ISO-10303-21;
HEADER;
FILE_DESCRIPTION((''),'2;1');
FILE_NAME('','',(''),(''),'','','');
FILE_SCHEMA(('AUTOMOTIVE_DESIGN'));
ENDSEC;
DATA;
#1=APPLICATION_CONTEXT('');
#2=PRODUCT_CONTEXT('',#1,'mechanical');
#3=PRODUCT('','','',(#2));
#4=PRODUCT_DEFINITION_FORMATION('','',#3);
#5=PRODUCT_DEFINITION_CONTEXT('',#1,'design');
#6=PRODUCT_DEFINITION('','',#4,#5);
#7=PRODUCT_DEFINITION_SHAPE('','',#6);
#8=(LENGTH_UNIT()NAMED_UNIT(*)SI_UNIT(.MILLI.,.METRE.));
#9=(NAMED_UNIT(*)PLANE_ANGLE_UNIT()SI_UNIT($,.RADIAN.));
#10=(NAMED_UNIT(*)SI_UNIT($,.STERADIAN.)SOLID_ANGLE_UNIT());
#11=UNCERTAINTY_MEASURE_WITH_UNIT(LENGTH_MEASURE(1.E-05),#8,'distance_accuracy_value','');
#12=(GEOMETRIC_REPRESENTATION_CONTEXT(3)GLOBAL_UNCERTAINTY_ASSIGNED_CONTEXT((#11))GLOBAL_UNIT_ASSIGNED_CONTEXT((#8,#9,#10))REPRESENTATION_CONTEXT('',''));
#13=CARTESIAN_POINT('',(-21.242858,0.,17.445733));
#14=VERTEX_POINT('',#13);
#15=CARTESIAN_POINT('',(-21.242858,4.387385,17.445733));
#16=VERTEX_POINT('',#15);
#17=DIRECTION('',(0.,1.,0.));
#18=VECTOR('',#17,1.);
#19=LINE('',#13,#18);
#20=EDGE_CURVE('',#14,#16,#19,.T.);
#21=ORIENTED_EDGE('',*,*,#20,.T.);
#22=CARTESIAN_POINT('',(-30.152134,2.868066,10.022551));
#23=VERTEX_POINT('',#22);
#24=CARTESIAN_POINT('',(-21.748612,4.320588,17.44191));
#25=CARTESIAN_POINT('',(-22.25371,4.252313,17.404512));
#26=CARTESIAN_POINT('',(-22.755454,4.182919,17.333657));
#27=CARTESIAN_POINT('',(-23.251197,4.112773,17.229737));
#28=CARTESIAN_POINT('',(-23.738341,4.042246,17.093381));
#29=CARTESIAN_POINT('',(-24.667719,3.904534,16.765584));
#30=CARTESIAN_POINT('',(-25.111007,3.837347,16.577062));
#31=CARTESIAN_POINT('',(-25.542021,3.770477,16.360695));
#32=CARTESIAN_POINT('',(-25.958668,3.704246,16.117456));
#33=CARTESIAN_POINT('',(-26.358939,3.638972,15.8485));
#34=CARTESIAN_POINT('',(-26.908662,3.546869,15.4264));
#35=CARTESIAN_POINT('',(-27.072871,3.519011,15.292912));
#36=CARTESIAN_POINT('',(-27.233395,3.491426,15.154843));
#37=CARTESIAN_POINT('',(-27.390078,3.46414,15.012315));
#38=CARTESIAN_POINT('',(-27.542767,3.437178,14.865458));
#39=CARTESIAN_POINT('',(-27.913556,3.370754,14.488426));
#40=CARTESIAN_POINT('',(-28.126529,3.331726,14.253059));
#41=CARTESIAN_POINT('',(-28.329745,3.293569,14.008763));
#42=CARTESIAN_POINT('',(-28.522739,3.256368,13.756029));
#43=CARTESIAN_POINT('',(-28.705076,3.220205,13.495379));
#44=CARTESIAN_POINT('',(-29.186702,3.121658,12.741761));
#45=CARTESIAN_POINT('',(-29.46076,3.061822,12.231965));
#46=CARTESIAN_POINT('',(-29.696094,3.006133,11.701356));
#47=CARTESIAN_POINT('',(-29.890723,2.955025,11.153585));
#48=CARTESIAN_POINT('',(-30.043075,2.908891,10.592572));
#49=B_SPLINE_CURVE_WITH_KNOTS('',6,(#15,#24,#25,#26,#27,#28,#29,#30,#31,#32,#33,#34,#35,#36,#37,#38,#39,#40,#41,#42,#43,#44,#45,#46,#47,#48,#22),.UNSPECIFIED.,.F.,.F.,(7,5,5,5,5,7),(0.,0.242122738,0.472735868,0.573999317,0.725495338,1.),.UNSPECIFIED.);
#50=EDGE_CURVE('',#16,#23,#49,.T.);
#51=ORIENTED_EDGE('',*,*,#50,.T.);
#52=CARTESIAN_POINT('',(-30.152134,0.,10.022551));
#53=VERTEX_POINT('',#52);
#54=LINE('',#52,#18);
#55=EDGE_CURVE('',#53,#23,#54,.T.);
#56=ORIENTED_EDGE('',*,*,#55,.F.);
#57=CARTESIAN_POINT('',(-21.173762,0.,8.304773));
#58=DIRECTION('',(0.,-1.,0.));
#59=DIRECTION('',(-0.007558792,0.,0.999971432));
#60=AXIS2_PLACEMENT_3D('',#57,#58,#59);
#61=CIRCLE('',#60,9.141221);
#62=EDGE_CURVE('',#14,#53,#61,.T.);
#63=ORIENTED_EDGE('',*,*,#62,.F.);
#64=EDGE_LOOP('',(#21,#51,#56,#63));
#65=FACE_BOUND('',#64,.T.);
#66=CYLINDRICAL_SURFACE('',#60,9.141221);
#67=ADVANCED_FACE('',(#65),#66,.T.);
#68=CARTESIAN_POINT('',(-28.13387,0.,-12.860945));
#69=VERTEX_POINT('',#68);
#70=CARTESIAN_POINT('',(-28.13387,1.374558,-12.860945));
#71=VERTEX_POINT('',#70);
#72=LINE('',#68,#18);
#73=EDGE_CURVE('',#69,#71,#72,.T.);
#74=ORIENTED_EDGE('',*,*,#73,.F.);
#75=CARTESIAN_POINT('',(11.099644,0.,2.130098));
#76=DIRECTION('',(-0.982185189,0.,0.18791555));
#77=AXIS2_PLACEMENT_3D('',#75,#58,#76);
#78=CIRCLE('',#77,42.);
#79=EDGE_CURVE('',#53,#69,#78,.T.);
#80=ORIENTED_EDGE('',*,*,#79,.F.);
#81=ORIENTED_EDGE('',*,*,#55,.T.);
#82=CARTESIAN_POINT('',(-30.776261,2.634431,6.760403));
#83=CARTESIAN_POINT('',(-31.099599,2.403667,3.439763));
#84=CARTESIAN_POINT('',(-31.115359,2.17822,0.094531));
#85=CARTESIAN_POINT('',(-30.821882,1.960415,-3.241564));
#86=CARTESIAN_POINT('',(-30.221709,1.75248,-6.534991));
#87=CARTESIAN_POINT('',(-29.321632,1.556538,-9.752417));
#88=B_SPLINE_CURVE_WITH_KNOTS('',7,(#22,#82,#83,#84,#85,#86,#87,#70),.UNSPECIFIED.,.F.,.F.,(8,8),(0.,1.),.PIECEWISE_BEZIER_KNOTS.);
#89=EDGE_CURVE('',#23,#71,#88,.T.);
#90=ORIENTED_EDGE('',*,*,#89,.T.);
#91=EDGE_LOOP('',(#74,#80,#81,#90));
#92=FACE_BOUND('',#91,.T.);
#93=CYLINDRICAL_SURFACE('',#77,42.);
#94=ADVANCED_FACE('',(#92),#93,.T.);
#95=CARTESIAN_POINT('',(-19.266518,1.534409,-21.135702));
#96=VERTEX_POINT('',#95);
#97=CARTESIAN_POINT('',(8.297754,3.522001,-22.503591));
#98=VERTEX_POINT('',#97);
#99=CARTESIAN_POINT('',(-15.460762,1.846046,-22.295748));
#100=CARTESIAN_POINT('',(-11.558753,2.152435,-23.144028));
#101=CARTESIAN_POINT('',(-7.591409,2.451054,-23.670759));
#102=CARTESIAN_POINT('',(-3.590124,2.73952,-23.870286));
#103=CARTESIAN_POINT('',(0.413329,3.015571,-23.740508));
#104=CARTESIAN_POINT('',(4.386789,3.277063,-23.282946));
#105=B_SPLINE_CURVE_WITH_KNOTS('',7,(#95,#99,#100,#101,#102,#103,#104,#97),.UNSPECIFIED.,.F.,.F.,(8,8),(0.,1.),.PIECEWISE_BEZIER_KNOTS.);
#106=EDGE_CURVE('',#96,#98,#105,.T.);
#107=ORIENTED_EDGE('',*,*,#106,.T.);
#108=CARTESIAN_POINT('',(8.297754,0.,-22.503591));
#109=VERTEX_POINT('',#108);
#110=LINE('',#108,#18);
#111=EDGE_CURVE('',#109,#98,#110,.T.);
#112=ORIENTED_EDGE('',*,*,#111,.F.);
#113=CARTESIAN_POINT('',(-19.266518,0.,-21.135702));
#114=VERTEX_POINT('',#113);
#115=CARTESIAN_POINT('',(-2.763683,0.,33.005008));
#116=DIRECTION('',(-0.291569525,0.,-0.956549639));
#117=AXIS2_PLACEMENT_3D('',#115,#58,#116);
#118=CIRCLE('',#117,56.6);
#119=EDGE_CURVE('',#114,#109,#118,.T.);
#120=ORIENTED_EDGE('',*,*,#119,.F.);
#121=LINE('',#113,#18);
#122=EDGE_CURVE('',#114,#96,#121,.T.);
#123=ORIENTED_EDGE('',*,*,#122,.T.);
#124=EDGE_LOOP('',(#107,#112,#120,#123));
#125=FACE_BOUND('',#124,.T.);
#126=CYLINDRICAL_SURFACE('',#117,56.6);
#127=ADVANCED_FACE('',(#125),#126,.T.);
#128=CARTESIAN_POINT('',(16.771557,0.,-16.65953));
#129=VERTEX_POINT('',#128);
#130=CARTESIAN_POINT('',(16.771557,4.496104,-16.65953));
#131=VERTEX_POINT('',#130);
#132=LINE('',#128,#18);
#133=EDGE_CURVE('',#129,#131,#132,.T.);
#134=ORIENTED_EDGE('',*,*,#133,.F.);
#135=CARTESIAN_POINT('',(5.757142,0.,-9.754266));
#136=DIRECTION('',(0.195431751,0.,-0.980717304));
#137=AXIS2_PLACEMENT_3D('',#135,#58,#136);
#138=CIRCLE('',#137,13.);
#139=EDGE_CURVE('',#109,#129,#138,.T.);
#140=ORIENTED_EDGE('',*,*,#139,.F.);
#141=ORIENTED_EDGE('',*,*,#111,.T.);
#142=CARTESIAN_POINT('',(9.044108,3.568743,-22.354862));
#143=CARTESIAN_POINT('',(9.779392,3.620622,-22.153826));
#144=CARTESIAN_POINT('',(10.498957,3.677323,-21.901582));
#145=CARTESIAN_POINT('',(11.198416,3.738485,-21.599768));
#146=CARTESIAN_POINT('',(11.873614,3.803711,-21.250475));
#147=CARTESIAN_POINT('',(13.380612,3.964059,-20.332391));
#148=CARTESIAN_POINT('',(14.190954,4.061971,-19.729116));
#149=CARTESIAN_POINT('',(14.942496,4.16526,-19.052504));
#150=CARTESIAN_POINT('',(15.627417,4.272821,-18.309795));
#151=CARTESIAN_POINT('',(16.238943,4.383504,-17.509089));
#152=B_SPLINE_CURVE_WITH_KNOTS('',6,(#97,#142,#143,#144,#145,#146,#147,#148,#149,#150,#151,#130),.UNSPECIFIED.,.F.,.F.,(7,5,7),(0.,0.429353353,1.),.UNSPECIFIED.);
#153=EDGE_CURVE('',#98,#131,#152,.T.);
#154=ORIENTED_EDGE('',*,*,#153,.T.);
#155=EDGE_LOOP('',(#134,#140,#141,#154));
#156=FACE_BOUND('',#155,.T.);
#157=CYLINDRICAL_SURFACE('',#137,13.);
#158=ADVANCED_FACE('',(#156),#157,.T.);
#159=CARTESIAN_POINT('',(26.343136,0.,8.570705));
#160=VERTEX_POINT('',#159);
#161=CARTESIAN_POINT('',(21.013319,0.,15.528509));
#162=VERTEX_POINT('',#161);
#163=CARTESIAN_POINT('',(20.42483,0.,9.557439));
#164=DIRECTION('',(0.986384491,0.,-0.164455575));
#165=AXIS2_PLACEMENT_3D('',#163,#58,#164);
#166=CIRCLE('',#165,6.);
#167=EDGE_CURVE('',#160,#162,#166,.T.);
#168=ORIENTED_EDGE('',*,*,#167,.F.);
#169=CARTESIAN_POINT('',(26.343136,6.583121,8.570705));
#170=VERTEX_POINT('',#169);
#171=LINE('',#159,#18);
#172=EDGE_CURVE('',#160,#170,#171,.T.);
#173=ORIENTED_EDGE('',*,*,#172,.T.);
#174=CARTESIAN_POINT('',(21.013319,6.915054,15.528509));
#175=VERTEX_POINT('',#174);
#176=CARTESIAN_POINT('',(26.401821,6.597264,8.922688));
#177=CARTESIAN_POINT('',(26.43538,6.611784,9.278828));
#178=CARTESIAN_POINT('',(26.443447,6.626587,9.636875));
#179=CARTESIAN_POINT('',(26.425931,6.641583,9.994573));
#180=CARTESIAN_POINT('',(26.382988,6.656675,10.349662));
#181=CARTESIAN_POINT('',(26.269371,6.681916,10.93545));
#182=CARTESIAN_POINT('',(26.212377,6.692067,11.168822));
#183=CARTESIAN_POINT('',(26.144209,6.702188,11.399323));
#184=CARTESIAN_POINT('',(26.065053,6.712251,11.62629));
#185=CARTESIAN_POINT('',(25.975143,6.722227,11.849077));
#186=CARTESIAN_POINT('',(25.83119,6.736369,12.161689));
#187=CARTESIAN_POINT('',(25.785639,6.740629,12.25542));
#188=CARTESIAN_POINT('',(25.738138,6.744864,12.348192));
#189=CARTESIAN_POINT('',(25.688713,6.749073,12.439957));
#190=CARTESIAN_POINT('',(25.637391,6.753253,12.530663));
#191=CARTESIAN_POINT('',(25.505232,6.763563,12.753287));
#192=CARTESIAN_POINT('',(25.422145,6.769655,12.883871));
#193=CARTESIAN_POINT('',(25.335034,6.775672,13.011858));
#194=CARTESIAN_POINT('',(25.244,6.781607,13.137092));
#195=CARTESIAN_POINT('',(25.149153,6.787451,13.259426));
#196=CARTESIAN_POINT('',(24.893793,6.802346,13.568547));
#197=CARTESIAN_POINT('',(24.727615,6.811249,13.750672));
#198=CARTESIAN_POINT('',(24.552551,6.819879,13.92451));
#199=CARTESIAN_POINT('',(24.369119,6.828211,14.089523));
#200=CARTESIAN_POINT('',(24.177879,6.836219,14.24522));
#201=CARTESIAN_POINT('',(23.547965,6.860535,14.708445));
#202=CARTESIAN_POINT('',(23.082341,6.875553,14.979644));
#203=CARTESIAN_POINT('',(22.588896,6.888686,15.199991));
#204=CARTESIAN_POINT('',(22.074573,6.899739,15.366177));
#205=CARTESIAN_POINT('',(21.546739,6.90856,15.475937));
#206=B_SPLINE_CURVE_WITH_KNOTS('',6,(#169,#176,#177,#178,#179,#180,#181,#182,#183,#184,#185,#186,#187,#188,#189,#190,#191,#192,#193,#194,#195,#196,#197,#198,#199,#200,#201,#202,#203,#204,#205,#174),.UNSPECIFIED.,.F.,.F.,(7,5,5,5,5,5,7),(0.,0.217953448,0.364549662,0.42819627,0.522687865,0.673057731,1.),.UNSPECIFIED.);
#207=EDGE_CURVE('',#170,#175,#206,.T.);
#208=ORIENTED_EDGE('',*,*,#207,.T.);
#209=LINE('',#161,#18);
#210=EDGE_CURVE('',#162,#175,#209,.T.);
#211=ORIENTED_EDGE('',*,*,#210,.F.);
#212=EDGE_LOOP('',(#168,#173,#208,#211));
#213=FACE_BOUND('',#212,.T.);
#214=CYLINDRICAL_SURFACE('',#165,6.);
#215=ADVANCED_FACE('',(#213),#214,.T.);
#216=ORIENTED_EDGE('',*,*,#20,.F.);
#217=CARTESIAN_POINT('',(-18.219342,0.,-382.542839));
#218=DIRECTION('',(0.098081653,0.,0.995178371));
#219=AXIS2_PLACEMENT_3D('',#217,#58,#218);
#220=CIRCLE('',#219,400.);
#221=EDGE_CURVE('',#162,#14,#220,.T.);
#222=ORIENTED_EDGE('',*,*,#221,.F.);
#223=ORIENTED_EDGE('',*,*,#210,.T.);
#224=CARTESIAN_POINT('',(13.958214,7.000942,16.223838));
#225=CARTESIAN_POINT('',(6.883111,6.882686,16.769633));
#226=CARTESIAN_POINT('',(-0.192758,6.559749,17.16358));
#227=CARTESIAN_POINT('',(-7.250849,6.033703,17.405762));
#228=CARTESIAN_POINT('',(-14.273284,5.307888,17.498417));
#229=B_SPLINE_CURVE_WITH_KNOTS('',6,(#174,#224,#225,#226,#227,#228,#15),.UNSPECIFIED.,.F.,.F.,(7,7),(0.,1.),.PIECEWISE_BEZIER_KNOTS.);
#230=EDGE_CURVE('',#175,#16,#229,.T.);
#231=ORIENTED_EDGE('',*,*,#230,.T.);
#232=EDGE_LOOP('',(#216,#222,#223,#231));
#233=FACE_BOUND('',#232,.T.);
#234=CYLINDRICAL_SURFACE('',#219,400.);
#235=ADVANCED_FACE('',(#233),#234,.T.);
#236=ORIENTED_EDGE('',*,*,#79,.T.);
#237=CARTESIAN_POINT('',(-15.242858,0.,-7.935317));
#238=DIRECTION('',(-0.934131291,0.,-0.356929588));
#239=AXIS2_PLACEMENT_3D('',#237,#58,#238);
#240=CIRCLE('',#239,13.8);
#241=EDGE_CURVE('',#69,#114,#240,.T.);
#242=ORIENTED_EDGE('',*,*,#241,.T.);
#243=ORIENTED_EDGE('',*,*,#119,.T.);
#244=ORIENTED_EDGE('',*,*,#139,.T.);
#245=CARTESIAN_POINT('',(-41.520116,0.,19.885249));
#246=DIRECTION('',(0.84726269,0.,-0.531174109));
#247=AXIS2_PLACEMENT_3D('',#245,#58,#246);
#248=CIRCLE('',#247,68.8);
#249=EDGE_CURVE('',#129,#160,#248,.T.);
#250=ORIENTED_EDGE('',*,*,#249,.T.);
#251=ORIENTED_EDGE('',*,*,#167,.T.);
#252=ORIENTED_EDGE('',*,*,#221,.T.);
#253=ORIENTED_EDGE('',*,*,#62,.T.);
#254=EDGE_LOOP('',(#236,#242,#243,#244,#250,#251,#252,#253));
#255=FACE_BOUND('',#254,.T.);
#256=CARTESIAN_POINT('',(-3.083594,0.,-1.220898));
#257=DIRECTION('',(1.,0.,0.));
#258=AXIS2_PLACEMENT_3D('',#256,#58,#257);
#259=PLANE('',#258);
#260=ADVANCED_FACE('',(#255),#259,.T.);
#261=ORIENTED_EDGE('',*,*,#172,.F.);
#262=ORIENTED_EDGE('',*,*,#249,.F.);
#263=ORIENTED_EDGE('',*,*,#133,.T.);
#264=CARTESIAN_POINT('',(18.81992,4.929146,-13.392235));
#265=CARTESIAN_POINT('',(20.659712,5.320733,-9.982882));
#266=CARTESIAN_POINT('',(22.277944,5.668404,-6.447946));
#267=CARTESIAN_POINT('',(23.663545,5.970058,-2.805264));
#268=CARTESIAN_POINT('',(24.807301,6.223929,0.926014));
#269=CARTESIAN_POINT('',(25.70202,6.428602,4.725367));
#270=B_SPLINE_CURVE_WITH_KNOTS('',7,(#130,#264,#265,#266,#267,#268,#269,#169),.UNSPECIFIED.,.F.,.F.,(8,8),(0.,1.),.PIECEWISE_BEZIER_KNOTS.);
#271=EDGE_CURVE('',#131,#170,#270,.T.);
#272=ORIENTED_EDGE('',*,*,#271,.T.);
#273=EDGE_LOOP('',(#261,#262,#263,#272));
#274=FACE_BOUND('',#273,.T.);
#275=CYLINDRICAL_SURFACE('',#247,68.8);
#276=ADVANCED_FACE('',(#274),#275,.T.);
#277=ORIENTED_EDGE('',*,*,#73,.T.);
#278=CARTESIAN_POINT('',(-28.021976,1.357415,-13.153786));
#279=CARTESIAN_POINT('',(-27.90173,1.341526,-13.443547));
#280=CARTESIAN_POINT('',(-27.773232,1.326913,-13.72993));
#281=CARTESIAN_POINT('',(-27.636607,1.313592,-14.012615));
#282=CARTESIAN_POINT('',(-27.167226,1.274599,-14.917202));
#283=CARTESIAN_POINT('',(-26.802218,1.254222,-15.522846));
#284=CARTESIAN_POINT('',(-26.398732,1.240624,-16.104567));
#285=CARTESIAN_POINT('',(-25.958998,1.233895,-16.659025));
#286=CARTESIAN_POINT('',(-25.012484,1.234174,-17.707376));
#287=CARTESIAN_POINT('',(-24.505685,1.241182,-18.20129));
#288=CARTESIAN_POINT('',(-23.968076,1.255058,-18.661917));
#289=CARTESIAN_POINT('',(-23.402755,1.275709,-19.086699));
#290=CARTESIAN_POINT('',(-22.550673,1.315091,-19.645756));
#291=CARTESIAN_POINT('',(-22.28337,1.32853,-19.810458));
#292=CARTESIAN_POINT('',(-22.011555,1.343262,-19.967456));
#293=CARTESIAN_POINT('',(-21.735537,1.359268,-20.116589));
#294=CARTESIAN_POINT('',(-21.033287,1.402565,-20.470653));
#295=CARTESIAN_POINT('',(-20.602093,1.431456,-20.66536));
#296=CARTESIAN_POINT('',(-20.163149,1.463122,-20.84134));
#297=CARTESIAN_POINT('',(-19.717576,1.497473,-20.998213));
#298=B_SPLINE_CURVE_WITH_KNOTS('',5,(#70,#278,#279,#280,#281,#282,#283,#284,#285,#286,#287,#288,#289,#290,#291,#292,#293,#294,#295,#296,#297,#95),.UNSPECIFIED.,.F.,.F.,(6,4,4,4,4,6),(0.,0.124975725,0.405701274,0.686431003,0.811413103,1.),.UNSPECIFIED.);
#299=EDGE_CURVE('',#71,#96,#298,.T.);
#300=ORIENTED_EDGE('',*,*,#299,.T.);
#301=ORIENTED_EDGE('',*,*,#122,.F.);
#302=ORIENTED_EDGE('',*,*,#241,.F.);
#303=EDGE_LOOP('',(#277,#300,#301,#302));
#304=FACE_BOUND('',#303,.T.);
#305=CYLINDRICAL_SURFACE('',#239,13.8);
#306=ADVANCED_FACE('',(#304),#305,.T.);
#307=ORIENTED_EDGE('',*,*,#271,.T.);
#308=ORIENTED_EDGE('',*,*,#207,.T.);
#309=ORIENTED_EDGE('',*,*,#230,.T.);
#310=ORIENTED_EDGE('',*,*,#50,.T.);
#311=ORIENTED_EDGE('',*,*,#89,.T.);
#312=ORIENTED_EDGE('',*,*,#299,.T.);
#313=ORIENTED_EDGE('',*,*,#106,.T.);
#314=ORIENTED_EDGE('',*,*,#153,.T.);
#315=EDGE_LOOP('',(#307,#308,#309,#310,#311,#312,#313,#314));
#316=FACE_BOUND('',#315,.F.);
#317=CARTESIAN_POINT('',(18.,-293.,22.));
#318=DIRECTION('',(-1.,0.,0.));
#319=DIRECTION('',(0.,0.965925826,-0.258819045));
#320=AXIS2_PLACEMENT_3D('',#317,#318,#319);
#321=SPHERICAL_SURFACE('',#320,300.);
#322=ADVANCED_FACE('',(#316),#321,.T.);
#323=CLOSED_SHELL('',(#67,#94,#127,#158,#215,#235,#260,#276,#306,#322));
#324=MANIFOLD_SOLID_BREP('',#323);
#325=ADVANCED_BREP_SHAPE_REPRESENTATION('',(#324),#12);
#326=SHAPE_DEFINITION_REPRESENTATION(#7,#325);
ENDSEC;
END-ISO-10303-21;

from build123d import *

# Parameters (mm, degrees)
F1_DEPTH      = 25
F4_ANGLE_BACK = 15
F4_ANGLE      = 30


with BuildPart() as f1:
    # F0 (on Front) → F1 (new body)
    with BuildSketch(Plane.XZ):
        with BuildLine():
            ThreePointArc((26.3431364877, 8.5707053028), (25.1879544986, 13.2060879092), (21.0133194591, 15.5285089783))
            ThreePointArc((21.0133194591, 15.5285089783), (-0.0894086287, 17.0460813995), (-21.2428583947, 17.4457334904))
            ThreePointArc((-21.2428583947, 17.4457334904), (-27.0252643869, 15.3277245971), (-30.1521339791, 10.0225509634))
            ThreePointArc((-30.1521339791, 10.0225509634), (-30.737948683, -1.5598670025), (-28.1338702514, -12.8609448416))
            ThreePointArc((-28.1338702514, -12.8609448416), (-24.6579753008, -18.0246958087), (-19.2665178824, -21.1357015406))
            ThreePointArc((-19.2665178824, -21.1357015406), (-5.5690318774, -23.5254263951), (8.2977543738, -22.503591381))
            ThreePointArc((8.2977543738, -22.503591381), (13.1377213939, -20.4559972218), (16.7715565718, -16.6595298512))
            ThreePointArc((16.7715565718, -16.6595298512), (22.8064529235, -4.5182850542), (26.3431364877, 8.5707053028))
        make_face()
    extrude(amount=-F1_DEPTH)


with BuildPart() as f4:
    # F3 (on offset) → F4 (revolve)
    with BuildSketch(Plane.XY.offset(22), mode=Mode.PRIVATE) as f4_sk:
        with BuildLine():
            Line((-282, -293), (318, -293))
            ThreePointArc((318, -293), (18, 7), (-282, -293))
        make_face()
    revolve(f4_sk.sketch.rotate(Axis((18, -293, 22), (1, 0, 0)), -F4_ANGLE_BACK), axis=Axis((18, -293, 22), (1, 0, 0)), revolution_arc=F4_ANGLE)


with BuildPart() as f1_1:
    add(f1.part)

    # F5: intersect F4
    add(f4.part, mode=Mode.INTERSECT)


solid = f1_1.part
